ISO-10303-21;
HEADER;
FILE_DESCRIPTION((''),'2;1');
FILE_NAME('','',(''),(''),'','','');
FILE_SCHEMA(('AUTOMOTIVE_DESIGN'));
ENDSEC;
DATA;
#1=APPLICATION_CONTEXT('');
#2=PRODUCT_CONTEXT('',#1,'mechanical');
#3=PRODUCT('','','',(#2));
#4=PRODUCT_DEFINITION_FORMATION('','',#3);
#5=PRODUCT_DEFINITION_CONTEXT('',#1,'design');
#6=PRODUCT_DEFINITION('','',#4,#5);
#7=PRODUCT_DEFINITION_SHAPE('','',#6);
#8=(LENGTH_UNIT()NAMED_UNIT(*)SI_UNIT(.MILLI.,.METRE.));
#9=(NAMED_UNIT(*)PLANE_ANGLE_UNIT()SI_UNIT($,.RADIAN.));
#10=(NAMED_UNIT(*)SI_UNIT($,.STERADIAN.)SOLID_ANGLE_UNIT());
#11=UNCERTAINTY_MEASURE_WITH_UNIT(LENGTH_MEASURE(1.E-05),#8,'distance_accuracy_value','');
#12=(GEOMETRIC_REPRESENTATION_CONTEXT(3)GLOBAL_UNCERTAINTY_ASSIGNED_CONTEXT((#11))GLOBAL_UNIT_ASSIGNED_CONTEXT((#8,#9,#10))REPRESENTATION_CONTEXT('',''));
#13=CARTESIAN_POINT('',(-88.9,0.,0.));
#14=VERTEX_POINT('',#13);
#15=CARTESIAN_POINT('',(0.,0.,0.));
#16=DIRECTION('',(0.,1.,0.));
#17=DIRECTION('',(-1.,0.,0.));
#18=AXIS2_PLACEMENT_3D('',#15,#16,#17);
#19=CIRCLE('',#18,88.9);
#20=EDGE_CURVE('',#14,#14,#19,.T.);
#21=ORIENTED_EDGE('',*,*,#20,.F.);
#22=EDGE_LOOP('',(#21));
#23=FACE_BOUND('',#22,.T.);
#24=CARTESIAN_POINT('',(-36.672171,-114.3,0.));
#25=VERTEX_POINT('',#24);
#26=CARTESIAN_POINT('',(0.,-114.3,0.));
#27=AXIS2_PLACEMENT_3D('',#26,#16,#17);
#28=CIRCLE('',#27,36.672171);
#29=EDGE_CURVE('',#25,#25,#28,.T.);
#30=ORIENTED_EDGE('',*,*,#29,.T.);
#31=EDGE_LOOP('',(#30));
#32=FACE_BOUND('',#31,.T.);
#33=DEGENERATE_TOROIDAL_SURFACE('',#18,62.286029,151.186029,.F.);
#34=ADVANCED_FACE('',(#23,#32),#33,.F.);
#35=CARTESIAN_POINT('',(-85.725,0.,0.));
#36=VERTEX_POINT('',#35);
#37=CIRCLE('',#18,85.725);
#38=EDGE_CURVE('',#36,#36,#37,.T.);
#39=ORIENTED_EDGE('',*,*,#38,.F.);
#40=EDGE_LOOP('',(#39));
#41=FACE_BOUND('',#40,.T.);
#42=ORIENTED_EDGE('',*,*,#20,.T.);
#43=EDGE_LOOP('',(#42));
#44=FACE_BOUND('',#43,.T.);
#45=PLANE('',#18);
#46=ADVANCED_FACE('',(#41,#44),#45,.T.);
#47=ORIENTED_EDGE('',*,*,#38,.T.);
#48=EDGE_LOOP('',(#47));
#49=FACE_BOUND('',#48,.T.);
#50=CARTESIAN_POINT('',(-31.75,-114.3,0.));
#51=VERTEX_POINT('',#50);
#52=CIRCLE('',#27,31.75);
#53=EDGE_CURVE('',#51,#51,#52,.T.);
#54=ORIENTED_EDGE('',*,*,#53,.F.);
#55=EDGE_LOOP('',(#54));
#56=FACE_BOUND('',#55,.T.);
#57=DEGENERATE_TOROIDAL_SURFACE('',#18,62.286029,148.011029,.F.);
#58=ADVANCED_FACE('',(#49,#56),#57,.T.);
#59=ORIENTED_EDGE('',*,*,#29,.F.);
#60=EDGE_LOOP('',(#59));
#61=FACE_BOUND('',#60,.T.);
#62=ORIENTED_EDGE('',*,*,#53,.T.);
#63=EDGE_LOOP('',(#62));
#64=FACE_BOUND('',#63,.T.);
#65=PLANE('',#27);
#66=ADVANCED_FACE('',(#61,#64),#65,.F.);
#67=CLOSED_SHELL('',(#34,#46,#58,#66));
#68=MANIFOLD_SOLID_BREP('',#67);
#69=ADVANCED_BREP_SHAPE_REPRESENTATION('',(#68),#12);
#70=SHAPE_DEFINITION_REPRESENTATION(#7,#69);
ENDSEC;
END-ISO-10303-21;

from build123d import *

# Parameters (mm, degrees)
SHELL1_T = 3.175


with BuildPart() as part:
    # Sketch1 → Revolve1 (revolve)
    with BuildSketch(Plane.XY, mode=Mode.PRIVATE) as revolve1_sk:
        with BuildLine():
            ThreePointArc((85.725, 0), (71.552743637, -63.201642829), (31.75, -114.3))
            Line((31.75, -114.3), (0, -114.3))
            Line((0, -114.3), (0, 0))
            Line((0, 0), (85.725, 0))
        make_face()
    revolve(revolve1_sk.sketch.rotate(Axis((0, 0, 0), (0, -1, 0)), 180), axis=Axis((0, 0, 0), (0, -1, 0)))

    # Shell1
    shell1_openings = [part.faces().sort_by_distance(p)[0] for p in [
        (0, 0, 0),
        (0, -114.3, 0),
    ]]
    offset(amount=SHELL1_T, openings=shell1_openings, kind=Kind.INTERSECTION)


solid = part.part
